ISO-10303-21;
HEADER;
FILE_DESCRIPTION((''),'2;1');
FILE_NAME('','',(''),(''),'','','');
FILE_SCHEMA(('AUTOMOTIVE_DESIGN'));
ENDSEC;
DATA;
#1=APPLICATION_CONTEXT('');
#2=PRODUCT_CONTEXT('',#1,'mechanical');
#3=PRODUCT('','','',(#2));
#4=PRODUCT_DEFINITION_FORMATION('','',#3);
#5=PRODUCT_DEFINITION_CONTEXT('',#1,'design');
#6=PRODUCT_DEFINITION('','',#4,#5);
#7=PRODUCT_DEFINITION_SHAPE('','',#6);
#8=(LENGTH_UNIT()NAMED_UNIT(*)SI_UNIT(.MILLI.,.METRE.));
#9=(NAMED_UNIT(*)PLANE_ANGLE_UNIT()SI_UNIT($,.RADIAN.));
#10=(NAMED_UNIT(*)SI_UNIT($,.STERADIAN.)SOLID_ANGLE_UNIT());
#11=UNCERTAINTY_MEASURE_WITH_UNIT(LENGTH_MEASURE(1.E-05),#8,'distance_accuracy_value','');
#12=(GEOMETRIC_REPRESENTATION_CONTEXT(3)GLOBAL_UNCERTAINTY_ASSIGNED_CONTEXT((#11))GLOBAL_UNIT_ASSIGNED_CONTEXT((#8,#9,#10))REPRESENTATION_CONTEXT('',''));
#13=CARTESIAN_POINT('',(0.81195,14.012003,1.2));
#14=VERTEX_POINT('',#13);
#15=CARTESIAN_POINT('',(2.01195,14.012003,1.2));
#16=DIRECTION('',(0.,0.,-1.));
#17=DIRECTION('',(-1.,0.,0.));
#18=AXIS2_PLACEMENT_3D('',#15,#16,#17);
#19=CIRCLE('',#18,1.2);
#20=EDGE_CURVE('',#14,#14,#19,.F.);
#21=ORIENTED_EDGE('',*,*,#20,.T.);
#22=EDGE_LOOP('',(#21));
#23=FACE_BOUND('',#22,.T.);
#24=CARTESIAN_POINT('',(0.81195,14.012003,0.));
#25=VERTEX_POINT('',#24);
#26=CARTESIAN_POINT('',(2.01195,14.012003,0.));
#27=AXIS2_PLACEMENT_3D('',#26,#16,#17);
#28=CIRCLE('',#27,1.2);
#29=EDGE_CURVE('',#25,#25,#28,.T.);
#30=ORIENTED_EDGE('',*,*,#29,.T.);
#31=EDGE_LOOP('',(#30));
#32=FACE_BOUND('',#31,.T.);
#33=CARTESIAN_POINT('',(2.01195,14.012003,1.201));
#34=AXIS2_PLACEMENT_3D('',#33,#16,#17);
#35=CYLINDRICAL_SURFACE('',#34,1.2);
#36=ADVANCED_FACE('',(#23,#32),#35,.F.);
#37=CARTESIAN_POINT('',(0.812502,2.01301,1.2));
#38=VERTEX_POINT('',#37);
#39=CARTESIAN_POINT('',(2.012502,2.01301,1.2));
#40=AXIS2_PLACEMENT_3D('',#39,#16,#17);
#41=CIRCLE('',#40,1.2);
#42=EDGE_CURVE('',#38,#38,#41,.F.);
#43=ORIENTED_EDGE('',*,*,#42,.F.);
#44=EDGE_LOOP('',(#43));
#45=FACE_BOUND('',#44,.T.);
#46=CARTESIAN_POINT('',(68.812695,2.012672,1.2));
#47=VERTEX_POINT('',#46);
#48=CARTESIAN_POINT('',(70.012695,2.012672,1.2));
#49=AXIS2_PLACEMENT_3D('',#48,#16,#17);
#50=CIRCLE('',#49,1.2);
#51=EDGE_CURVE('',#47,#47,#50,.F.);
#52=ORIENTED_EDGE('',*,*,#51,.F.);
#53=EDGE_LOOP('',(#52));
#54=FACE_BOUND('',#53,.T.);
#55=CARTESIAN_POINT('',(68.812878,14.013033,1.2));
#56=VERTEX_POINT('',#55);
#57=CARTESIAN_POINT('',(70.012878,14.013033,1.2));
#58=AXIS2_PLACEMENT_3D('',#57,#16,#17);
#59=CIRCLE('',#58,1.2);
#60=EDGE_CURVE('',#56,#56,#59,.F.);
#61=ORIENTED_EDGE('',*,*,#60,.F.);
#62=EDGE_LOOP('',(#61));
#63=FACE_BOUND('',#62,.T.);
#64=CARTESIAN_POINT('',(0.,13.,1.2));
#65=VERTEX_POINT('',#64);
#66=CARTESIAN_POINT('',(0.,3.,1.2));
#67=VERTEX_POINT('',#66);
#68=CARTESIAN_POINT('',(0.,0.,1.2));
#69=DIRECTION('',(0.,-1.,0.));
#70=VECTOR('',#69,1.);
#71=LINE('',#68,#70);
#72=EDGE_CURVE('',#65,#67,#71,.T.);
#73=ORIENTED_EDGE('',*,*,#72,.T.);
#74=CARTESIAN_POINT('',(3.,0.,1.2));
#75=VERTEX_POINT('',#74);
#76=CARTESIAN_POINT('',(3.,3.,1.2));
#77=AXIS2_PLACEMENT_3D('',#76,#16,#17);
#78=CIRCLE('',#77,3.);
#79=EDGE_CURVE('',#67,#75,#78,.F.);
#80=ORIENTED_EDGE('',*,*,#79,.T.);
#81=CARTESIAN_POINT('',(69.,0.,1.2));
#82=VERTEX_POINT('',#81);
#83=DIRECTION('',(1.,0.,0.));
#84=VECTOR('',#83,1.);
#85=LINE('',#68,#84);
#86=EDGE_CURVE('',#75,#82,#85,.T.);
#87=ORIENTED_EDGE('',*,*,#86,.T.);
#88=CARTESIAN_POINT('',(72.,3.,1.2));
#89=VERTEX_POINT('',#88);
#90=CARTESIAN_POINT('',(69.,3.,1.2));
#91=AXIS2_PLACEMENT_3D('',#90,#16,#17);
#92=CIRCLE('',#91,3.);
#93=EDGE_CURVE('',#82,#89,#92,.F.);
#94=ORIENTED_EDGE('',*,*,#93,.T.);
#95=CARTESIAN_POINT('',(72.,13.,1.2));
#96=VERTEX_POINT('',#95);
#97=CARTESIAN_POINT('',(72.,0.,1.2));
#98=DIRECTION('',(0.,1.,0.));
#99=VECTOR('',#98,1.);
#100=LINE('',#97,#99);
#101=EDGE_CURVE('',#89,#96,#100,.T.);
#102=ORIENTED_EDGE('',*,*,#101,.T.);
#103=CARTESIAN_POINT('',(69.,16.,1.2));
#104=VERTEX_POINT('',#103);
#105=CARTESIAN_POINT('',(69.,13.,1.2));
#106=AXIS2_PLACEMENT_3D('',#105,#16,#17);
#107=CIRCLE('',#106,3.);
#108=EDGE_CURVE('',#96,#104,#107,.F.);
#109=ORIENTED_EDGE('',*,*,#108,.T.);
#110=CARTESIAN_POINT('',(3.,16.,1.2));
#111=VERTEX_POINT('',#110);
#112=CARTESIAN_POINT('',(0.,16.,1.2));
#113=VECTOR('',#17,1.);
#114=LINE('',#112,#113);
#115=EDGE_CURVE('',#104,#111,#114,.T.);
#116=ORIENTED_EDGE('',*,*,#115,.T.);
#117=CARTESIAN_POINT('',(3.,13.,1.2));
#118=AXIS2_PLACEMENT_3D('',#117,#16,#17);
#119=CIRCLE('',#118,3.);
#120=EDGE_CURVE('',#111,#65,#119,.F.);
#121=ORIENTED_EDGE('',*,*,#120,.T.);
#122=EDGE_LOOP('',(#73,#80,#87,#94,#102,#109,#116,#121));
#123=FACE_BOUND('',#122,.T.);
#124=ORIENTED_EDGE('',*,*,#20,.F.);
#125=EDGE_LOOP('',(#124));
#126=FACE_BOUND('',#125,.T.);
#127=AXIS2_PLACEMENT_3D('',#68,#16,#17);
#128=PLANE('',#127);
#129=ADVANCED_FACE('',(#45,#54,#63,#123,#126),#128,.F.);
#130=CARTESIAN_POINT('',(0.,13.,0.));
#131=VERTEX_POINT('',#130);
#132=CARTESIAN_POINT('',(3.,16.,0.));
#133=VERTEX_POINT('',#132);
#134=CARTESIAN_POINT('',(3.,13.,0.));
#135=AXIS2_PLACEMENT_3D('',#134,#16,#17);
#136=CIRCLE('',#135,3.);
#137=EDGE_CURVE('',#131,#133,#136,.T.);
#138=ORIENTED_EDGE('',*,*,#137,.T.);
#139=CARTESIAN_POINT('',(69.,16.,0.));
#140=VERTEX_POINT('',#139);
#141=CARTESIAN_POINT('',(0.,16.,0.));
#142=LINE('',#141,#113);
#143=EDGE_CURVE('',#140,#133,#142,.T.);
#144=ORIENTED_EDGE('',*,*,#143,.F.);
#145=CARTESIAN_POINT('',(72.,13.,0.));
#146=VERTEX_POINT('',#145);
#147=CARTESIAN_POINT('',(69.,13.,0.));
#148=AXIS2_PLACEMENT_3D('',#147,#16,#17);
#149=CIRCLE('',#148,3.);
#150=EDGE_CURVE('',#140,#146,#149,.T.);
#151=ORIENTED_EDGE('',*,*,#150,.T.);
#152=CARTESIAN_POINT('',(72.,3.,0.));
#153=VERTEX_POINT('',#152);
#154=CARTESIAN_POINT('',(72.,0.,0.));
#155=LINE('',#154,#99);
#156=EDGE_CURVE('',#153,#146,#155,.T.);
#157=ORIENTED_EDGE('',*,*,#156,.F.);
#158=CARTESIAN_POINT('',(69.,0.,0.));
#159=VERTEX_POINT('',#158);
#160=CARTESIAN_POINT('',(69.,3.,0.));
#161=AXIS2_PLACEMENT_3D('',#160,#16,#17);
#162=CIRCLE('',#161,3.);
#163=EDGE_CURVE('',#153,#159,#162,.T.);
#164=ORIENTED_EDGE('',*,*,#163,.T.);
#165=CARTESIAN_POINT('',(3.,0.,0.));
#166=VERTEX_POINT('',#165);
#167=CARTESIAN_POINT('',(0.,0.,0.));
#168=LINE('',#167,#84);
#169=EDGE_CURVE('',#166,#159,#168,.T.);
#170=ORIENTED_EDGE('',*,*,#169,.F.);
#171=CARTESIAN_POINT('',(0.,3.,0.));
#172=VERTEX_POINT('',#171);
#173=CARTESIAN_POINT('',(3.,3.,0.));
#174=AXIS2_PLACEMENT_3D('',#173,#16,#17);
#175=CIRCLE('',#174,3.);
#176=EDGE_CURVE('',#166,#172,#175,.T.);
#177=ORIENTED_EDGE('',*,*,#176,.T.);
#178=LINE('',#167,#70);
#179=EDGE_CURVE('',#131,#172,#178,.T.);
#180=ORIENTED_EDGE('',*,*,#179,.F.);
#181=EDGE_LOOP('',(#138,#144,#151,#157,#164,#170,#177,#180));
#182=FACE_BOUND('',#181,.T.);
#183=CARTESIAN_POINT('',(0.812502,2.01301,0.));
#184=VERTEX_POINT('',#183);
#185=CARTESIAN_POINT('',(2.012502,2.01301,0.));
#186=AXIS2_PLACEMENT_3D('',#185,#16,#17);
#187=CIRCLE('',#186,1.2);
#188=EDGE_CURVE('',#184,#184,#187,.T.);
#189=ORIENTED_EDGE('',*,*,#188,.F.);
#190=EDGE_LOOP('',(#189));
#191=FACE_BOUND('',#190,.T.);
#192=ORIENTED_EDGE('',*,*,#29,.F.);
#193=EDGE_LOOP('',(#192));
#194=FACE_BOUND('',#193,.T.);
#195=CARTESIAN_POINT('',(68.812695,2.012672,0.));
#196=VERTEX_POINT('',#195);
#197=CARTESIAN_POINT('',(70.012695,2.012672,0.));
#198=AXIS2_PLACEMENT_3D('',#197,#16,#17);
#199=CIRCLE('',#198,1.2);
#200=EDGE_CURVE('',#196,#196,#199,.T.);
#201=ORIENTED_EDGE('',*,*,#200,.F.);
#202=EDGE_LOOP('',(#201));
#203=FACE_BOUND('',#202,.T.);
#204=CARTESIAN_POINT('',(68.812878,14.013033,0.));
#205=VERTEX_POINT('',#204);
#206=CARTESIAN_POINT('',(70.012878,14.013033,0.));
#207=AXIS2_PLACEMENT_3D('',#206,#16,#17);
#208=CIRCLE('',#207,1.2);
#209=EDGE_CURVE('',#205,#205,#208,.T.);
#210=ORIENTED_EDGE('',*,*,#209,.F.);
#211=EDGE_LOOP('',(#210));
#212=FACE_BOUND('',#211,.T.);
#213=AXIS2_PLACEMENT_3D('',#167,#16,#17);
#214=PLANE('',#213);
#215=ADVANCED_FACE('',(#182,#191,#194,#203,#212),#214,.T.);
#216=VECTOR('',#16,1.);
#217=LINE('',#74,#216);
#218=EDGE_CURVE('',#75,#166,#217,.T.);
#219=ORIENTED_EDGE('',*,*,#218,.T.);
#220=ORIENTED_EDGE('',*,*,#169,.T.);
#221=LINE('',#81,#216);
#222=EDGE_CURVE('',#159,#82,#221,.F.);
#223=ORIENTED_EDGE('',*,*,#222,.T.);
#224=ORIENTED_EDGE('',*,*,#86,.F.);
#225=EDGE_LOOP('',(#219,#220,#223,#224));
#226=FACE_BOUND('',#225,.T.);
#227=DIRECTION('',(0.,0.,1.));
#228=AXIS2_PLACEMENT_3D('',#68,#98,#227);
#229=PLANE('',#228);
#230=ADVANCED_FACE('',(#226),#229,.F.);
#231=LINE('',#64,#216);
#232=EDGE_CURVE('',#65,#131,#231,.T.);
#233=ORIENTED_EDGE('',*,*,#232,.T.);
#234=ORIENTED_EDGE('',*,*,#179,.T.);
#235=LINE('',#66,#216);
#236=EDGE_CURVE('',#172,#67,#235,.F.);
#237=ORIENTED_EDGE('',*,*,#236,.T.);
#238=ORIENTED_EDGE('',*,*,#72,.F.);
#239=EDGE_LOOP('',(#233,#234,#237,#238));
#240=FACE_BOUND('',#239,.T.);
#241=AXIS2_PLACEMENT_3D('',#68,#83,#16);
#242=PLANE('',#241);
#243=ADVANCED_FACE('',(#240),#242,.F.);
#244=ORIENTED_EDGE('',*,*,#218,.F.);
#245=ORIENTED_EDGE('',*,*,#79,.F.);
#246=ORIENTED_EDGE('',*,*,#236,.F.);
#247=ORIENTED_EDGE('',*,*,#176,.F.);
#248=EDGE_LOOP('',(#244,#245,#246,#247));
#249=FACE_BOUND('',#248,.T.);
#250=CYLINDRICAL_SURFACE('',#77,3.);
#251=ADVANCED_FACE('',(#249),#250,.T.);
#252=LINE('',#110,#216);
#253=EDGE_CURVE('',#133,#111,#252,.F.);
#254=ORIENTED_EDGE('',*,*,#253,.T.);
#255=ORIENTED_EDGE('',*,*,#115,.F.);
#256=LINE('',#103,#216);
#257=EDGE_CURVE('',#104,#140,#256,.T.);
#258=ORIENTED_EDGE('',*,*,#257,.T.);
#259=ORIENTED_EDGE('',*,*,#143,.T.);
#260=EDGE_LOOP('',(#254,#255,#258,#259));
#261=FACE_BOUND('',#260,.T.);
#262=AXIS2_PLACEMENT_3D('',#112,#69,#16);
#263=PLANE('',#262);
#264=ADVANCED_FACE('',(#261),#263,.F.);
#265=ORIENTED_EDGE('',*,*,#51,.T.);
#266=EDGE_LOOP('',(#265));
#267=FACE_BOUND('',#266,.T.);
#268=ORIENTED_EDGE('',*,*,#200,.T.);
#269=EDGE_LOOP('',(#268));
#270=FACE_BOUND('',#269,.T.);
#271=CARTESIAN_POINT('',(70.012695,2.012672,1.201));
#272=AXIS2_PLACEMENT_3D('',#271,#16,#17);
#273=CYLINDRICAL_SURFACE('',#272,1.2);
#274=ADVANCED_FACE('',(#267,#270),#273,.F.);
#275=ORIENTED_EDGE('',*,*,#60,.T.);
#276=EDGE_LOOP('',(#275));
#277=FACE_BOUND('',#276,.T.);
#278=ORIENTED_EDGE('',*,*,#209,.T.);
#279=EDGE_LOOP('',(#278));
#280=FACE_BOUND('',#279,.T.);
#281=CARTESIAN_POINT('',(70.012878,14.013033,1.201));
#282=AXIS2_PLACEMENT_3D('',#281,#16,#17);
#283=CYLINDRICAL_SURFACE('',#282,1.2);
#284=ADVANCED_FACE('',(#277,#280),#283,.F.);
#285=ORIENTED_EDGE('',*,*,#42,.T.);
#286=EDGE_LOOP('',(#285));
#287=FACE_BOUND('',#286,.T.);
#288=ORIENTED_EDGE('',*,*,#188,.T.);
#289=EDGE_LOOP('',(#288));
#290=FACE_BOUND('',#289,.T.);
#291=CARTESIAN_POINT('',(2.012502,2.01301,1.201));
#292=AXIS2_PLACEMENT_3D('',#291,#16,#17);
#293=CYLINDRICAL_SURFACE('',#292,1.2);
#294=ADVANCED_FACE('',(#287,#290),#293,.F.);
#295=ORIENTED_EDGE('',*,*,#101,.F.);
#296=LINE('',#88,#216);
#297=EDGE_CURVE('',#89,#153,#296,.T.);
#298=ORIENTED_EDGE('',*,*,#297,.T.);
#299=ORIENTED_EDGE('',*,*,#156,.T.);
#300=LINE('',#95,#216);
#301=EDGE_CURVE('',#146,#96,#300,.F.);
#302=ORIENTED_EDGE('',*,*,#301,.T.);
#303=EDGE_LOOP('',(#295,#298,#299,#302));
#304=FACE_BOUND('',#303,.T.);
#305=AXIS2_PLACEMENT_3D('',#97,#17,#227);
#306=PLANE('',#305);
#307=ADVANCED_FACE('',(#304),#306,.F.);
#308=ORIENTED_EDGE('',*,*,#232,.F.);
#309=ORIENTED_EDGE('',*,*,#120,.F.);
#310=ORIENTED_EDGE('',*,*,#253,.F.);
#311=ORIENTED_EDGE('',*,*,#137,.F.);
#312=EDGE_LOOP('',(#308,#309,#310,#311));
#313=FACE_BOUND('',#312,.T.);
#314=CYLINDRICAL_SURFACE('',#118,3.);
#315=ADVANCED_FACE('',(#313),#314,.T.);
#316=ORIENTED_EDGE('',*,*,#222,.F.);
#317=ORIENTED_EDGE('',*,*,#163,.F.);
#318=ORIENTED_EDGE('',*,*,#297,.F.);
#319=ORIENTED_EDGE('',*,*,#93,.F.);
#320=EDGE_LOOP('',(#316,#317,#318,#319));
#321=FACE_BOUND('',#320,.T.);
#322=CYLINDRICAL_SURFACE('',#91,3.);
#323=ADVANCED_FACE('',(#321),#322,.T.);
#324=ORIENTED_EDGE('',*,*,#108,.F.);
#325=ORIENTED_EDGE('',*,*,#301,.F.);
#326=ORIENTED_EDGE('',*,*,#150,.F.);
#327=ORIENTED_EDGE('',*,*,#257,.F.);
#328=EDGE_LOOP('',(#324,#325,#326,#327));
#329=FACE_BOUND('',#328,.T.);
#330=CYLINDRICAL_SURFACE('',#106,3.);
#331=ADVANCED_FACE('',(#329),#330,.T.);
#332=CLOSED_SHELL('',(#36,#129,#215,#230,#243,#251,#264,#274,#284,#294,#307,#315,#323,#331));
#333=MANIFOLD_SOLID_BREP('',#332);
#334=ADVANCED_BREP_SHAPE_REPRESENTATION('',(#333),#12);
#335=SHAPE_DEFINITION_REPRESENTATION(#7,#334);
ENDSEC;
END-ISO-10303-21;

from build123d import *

# Parameters (mm, degrees)
SKETCH_1_W          = 72
SKETCH_1_H          = 16
EXTRUDE_1_DEPTH     = 1.2
FILLET_1_R          = 3
CUT_EXTRUDE_1_REACH = 75.766
SKETCH_3_R          = 1.2


with BuildPart() as part:
    # 草图1 → 凸台-拉伸1 (new body)
    with BuildSketch(Plane.XY):
        with Locations((36, 8)):
            Rectangle(SKETCH_1_W, SKETCH_1_H)
    extrude(amount=EXTRUDE_1_DEPTH)

    # 圆角1
    fillet_1_edges = [part.edges().sort_by_distance(p)[0] for p in [
        (0, 16, 0.6),
        (72, 16, 0.6),
        (72, 0, 0.6),
        (0, 0, 0.6),
    ]]
    fillet(fillet_1_edges, radius=FILLET_1_R)

    # 草图3 → 切除-拉伸1 (cut, up to next)
    with BuildSketch(Plane(origin=(0, 0, 0), x_dir=(-1, 0, 0), z_dir=(0, 0, -1)), mode=Mode.PRIVATE) as cut_extrude_1_sk1:
        with Locations((-70.012877826, 14.013032766)):
            Circle(SKETCH_3_R)
    cut_extrude_1_tool1 = extrude(cut_extrude_1_sk1.sketch, amount=-CUT_EXTRUDE_1_REACH, mode=Mode.PRIVATE) & part.part
    # 草图3 → 切除-拉伸1 (cut, up to next)
    with BuildSketch(Plane(origin=(0, 0, 0), x_dir=(-1, 0, 0), z_dir=(0, 0, -1)), mode=Mode.PRIVATE) as cut_extrude_1_sk2:
        with Locations((-70.012694945, 2.012672085)):
            Circle(SKETCH_3_R)
    cut_extrude_1_tool2 = extrude(cut_extrude_1_sk2.sketch, amount=-CUT_EXTRUDE_1_REACH, mode=Mode.PRIVATE) & part.part
    # 草图3 → 切除-拉伸1 (cut, up to next)
    with BuildSketch(Plane(origin=(0, 0, 0), x_dir=(-1, 0, 0), z_dir=(0, 0, -1)), mode=Mode.PRIVATE) as cut_extrude_1_sk3:
        with Locations((-2.011949988, 14.012003328)):
            Circle(SKETCH_3_R)
    cut_extrude_1_tool3 = extrude(cut_extrude_1_sk3.sketch, amount=-CUT_EXTRUDE_1_REACH, mode=Mode.PRIVATE) & part.part
    # 草图3 → 切除-拉伸1 (cut, up to next)
    with BuildSketch(Plane(origin=(0, 0, 0), x_dir=(-1, 0, 0), z_dir=(0, 0, -1)), mode=Mode.PRIVATE) as cut_extrude_1_sk4:
        with Locations((-2.012501905, 2.013009906)):
            Circle(SKETCH_3_R)
    cut_extrude_1_tool4 = extrude(cut_extrude_1_sk4.sketch, amount=-CUT_EXTRUDE_1_REACH, mode=Mode.PRIVATE) & part.part
    add(cut_extrude_1_tool1.solids().sort_by_distance((70.012878, 14.013033, 0))[0], mode=Mode.SUBTRACT)
    add(cut_extrude_1_tool2.solids().sort_by_distance((70.012695, 2.012672, 0))[0], mode=Mode.SUBTRACT)
    add(cut_extrude_1_tool3.solids().sort_by_distance((2.01195, 14.012003, 0))[0], mode=Mode.SUBTRACT)
    add(cut_extrude_1_tool4.solids().sort_by_distance((2.012502, 2.01301, 0))[0], mode=Mode.SUBTRACT)


solid = part.part
